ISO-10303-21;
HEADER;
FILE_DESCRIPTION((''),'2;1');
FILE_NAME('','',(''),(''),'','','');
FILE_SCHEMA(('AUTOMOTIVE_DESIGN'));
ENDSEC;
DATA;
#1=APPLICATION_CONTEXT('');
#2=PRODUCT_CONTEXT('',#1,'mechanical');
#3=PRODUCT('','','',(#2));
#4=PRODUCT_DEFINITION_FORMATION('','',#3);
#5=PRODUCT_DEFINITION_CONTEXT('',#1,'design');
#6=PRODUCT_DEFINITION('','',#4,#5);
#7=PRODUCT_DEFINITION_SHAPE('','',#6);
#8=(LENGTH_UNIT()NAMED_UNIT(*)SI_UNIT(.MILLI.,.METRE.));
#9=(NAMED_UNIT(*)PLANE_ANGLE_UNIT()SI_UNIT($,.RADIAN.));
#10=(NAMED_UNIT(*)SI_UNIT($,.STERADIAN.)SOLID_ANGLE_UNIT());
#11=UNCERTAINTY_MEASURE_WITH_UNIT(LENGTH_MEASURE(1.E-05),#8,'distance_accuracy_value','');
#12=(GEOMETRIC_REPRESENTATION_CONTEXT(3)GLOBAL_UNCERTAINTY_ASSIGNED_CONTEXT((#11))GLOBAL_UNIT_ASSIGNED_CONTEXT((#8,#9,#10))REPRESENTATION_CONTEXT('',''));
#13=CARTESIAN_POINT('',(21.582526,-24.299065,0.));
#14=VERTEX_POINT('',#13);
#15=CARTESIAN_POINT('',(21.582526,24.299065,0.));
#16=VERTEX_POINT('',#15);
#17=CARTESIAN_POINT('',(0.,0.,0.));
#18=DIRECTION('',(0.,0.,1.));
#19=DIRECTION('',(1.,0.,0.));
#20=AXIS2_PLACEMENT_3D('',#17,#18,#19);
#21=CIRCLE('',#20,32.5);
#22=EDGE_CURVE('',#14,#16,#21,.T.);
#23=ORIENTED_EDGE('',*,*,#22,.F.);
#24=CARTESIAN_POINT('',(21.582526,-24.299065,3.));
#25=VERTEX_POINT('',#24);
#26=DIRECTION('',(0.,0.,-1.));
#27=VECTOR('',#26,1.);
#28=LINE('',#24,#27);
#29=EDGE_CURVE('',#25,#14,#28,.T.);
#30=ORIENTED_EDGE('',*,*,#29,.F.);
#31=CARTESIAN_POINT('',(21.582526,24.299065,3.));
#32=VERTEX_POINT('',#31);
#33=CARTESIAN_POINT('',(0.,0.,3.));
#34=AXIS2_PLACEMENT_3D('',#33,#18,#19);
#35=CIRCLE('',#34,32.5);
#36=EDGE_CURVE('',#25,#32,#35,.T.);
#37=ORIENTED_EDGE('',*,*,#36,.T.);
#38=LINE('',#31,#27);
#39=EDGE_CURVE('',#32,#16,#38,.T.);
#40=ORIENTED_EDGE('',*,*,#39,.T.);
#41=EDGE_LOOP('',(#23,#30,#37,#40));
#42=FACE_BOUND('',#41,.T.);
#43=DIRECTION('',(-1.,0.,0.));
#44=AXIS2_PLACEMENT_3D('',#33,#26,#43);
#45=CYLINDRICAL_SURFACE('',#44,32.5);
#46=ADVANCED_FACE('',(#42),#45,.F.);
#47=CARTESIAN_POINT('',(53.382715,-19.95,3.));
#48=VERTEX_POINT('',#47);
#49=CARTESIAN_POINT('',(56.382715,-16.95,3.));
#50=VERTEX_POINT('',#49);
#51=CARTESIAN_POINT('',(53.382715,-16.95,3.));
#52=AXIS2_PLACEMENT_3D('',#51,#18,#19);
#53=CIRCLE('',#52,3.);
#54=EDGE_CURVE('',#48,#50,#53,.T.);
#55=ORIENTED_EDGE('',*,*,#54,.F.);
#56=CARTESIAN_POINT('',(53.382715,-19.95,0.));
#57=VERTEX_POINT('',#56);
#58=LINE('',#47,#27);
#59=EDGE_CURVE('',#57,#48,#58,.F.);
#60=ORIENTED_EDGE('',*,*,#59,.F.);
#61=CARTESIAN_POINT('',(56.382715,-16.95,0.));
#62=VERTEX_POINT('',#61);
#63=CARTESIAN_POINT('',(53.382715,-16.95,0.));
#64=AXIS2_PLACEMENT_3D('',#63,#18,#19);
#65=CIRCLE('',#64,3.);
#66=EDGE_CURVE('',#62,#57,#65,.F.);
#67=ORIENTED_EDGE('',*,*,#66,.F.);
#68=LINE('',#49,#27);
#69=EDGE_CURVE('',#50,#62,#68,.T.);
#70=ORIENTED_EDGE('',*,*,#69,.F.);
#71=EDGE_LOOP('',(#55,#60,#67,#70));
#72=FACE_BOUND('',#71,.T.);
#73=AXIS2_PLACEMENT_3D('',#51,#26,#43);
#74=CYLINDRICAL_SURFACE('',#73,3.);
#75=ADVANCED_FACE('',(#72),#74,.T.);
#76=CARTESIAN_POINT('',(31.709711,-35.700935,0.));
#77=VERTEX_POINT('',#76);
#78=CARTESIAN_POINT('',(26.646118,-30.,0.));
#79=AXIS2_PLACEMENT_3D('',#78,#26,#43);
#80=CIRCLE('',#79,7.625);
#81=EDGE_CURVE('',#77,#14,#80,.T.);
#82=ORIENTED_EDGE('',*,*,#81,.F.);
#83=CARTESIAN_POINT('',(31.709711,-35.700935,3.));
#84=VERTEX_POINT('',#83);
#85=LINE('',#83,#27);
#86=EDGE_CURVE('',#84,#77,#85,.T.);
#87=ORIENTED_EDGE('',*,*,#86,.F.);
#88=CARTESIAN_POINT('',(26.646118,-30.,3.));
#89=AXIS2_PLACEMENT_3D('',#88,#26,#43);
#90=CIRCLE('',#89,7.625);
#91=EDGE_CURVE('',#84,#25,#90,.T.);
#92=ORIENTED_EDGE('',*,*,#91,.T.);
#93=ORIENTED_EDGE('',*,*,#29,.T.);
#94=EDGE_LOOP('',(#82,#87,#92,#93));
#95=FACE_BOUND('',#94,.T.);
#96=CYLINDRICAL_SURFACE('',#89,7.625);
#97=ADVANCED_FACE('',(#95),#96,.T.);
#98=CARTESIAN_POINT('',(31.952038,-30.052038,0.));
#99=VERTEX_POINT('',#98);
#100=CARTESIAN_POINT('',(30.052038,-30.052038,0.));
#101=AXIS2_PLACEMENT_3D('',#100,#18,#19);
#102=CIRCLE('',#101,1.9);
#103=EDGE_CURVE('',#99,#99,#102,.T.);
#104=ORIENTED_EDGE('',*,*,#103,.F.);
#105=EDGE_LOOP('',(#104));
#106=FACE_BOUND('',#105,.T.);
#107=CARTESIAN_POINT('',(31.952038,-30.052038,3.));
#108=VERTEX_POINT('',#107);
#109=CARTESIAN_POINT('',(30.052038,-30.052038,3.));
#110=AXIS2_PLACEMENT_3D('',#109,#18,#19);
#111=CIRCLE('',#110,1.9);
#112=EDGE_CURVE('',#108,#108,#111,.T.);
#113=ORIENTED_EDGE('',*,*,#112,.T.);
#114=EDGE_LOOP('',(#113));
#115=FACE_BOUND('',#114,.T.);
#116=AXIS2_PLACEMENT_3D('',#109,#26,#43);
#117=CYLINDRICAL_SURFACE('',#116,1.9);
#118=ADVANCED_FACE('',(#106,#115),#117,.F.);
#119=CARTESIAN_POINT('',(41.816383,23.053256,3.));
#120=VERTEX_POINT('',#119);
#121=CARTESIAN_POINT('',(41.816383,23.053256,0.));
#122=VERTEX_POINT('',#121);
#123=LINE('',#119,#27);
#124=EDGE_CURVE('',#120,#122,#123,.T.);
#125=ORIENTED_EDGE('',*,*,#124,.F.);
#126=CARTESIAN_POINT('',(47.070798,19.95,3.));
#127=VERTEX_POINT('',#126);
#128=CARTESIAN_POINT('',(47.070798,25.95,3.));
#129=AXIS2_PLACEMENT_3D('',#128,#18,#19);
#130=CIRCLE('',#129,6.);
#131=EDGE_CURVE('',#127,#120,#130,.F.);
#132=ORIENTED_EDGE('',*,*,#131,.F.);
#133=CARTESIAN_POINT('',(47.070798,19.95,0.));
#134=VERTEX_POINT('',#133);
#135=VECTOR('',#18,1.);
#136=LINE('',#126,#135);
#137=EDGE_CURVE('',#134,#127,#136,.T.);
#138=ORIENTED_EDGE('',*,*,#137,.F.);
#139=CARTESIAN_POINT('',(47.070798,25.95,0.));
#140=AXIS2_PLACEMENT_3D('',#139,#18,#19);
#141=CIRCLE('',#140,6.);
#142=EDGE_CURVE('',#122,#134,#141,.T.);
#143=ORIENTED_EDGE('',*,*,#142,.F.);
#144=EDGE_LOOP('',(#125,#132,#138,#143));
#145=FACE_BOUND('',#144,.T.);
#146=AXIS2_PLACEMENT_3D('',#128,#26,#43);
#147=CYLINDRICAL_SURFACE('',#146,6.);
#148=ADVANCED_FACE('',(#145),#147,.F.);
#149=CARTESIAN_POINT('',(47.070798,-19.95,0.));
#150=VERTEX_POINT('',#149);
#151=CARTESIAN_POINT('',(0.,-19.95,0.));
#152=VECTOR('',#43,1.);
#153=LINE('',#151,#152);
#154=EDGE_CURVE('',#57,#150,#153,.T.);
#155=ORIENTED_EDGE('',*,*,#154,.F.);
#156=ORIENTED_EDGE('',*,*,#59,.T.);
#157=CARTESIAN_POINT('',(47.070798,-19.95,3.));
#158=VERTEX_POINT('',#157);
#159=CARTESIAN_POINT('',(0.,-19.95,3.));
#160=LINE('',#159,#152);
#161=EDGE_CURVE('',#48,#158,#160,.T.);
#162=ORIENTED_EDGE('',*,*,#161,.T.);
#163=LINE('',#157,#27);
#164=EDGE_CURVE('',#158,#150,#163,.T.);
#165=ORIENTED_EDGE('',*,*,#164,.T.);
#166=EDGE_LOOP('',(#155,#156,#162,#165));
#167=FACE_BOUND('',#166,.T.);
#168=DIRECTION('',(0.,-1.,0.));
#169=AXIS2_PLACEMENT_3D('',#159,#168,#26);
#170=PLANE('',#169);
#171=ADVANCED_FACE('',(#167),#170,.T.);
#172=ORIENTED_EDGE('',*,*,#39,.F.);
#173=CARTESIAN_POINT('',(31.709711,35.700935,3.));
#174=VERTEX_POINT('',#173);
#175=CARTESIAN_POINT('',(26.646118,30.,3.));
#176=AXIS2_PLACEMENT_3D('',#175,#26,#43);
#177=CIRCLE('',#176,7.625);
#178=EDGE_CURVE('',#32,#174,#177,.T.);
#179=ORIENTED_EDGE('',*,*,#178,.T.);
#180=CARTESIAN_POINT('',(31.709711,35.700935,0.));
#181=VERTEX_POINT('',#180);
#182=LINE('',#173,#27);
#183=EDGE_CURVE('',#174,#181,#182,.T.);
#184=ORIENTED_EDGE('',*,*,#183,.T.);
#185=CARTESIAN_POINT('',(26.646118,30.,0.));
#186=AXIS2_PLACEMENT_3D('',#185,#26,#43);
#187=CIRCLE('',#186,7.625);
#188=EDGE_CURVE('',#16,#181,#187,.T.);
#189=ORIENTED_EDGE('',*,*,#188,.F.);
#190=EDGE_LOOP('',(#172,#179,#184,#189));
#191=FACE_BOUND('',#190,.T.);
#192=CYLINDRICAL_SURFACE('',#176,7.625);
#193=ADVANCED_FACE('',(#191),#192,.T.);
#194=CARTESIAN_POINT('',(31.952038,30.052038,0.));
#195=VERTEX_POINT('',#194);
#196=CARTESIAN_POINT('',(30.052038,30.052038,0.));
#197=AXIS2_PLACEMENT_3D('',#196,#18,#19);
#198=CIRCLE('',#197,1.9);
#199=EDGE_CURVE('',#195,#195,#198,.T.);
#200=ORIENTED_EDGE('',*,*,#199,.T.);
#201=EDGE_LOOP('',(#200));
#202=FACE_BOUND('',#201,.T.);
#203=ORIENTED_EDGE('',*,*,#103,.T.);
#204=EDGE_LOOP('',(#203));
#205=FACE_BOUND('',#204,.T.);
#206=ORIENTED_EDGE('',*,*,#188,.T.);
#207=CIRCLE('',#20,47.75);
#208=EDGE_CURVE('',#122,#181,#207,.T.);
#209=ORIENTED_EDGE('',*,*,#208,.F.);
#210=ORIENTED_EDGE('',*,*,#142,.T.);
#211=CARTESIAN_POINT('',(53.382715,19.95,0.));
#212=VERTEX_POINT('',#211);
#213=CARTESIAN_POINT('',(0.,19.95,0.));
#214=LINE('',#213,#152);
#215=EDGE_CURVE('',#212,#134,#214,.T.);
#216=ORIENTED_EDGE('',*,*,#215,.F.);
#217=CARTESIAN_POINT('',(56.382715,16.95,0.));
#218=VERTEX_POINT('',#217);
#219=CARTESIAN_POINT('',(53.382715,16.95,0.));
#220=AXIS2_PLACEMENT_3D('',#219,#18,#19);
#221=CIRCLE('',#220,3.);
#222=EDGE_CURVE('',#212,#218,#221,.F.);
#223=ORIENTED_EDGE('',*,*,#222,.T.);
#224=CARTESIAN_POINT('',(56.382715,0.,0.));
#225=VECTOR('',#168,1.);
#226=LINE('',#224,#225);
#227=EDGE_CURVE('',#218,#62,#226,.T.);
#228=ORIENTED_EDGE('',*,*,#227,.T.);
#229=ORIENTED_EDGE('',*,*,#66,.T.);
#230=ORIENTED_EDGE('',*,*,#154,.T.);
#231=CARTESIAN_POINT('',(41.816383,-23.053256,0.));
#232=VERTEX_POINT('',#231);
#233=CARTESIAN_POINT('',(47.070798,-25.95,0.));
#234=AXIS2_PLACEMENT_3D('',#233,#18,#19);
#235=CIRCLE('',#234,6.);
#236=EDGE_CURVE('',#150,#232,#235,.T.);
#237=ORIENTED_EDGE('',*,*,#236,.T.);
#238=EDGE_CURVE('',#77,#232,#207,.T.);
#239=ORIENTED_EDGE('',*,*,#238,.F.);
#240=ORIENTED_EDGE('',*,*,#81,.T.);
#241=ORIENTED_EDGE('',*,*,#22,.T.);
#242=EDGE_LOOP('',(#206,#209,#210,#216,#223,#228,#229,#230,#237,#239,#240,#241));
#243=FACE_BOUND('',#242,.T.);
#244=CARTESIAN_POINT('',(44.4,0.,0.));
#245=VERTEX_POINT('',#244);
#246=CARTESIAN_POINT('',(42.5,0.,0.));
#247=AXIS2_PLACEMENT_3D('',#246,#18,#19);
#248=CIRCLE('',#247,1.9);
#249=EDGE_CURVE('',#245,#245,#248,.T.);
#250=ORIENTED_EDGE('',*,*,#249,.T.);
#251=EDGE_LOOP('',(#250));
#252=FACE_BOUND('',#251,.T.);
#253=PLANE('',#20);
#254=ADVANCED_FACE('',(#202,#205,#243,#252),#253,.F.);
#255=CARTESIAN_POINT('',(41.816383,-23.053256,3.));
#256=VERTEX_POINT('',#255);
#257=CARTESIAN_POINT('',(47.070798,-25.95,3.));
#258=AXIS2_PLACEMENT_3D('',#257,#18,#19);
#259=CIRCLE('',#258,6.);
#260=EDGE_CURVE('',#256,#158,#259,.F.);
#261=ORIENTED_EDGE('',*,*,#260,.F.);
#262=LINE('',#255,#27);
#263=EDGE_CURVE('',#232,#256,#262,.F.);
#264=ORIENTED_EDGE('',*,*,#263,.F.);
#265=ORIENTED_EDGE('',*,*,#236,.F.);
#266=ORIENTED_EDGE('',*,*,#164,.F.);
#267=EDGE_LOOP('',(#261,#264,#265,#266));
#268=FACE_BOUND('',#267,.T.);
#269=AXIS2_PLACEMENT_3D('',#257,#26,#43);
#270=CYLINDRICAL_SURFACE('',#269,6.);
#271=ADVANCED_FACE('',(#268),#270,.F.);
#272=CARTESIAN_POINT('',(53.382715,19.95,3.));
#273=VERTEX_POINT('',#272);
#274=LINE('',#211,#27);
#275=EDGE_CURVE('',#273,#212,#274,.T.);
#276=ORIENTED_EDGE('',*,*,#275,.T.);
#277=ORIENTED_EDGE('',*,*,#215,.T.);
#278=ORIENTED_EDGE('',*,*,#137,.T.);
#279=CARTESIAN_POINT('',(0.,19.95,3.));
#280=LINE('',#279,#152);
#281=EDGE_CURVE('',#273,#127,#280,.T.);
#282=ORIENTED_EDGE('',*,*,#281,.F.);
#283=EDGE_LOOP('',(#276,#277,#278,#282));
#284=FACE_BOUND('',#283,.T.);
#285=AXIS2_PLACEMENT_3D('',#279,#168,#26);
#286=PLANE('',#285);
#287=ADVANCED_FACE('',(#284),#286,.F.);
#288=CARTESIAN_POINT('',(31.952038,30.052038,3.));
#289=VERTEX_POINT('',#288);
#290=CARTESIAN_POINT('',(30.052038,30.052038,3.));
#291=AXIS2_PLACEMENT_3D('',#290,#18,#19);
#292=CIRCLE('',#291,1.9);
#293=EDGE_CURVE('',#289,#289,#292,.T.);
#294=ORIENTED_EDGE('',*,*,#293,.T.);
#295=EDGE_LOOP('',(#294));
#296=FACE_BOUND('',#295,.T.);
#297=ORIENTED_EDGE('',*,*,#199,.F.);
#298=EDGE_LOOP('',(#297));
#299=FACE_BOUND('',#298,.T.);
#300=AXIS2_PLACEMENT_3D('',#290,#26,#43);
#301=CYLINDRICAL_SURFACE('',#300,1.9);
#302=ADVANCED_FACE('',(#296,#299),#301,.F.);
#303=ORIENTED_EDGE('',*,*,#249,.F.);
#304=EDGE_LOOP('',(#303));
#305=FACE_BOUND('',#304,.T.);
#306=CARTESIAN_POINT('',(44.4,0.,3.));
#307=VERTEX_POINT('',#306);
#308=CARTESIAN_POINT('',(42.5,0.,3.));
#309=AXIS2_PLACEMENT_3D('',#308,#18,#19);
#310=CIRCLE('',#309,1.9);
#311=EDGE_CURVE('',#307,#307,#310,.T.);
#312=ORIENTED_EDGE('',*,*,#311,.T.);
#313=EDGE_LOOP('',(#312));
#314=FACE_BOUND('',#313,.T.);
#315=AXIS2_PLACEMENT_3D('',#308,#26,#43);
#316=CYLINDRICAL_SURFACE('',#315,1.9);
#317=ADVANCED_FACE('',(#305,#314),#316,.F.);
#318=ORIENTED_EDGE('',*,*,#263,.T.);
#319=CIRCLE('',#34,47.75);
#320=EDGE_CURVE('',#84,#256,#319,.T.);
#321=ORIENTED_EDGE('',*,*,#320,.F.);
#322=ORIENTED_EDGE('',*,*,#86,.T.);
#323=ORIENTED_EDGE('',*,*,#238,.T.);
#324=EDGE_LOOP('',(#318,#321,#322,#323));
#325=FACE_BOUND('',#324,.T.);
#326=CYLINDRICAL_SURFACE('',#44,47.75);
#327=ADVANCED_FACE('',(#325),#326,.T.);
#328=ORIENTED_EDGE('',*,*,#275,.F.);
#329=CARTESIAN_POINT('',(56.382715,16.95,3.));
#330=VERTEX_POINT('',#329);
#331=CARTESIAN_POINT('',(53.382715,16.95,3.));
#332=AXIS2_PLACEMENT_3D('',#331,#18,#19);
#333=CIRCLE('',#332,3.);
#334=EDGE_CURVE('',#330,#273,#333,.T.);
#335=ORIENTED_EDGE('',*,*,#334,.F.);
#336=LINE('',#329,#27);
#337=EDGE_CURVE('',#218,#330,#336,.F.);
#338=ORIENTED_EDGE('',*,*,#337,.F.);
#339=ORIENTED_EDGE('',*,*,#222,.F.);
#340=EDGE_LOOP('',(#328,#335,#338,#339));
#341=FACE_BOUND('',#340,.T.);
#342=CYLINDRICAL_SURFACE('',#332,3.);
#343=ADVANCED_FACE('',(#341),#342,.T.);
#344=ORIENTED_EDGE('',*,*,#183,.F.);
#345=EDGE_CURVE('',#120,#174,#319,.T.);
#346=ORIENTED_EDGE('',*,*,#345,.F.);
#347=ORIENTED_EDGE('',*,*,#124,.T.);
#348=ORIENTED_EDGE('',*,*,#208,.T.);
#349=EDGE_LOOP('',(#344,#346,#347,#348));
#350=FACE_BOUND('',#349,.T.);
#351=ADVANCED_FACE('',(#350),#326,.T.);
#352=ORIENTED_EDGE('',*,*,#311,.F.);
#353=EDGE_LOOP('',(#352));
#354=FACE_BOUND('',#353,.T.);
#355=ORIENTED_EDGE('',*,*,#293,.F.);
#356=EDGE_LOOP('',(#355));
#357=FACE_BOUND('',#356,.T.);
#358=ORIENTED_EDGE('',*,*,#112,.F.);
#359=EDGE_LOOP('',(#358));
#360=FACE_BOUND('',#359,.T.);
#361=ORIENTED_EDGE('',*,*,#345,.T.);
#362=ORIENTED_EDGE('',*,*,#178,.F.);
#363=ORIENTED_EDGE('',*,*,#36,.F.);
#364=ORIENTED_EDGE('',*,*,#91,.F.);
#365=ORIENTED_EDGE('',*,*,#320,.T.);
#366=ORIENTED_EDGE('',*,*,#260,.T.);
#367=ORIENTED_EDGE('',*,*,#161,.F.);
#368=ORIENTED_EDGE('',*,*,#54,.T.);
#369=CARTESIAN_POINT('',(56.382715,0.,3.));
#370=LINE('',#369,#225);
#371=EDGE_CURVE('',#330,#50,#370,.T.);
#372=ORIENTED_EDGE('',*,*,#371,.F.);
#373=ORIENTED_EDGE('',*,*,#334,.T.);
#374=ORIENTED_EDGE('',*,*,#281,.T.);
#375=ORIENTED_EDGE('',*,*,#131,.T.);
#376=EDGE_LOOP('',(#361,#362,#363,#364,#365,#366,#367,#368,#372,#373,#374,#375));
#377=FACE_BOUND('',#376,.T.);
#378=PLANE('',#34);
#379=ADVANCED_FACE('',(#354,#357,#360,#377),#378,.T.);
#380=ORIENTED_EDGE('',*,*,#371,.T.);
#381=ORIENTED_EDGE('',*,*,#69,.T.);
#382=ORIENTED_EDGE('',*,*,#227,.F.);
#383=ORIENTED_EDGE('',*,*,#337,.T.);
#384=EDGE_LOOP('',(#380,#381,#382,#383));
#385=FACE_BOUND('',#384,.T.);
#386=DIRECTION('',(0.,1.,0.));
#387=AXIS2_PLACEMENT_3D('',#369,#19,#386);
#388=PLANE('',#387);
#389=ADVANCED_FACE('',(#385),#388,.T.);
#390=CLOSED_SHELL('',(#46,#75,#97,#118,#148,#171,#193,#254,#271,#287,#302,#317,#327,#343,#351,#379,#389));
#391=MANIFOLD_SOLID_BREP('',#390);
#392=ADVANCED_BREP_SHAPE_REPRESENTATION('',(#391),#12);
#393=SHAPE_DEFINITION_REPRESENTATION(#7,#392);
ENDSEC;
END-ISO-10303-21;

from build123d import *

# Parameters (mm, degrees)
SKETCH_1_R          = 47.75
SKETCH_1_R_2        = 32.5
SKETCH_1_R_3        = 1.9
EXTRUDE_1_DEPTH     = 3
SKETCH_2_R          = 1.9
CUT_EXTRUDE_1_DEPTH = 3
EXTRUDE_2_DEPTH     = 3
FILLET_1_R          = 3
FILLET_2_R          = 6


with BuildPart() as part:
    # 草图1 → 凸台-拉伸1 (new body)
    with BuildSketch(Plane.XY):
        Circle(SKETCH_1_R)
        Circle(SKETCH_1_R_2, mode=Mode.SUBTRACT)
        with Locations((0, 42.5)):
            Circle(SKETCH_1_R_3, mode=Mode.SUBTRACT)
        with Locations((30.0520382, 30.0520382)):
            Circle(SKETCH_1_R_3, mode=Mode.SUBTRACT)
        with Locations((42.5, 0)):
            Circle(SKETCH_1_R_3, mode=Mode.SUBTRACT)
        with Locations((30.0520382, -30.0520382)):
            Circle(SKETCH_1_R_3, mode=Mode.SUBTRACT)
        with Locations((0, -42.5)):
            Circle(SKETCH_1_R_3, mode=Mode.SUBTRACT)
        with Locations((-30.0520382, -30.0520382)):
            Circle(SKETCH_1_R_3, mode=Mode.SUBTRACT)
        with Locations((-42.5, 0)):
            Circle(SKETCH_1_R_3, mode=Mode.SUBTRACT)
        with Locations((-30.0520382, 30.0520382)):
            Circle(SKETCH_1_R_3, mode=Mode.SUBTRACT)
    extrude(amount=EXTRUDE_1_DEPTH)

    # 草图2 → 切除-拉伸1 (cut)
    # profile 1 of 2: a face of its own
    with BuildSketch(Plane(origin=(0, 0, 0), x_dir=(-1, 0, 0), z_dir=(0, 0, -1))):
        with BuildLine():
            ThreePointArc((40.6, 0), (42.5, 1.9), (44.4, 0))
            Line((44.4, 0), (47.75, 0))
            ThreePointArc((47.75, 0), (19.569412493, 43.555718278), (-31.709710772, 35.700934761))
            ThreePointArc((-31.709710772, 35.700934761), (-23.521159741, 36.955232453), (-19.021118385, 30))
            ThreePointArc((-19.021118385, 30), (-19.69088588, 26.875041473), (-21.582525806, 24.29906541))
            ThreePointArc((-21.582525806, 24.29906541), (13.319495322, 29.645253319), (32.5, 0))
            Line((32.5, 0), (40.6, 0))
        make_face()
        with Locations((0, 42.5)):
            Circle(SKETCH_2_R, mode=Mode.SUBTRACT)
        with Locations((30.0520382, 30.0520382)):
            Circle(SKETCH_2_R, mode=Mode.SUBTRACT)
    # profile 2 of 2: a face of its own
    with BuildSketch(Plane(origin=(0, 0, 0), x_dir=(-1, 0, 0), z_dir=(0, 0, -1))):
        with BuildLine():
            Line((47.75, 0), (44.4, 0))
            ThreePointArc((44.4, 0), (42.5, -1.9), (40.6, 0))
            Line((40.6, 0), (32.5, 0))
            ThreePointArc((32.5, 0), (13.319495418, -29.645253276), (-21.582525651, -24.299065549))
            ThreePointArc((-21.582525651, -24.299065549), (-19.690885837, -26.875041568), (-19.021118385, -30))
            ThreePointArc((-19.021118385, -30), (-23.521159897, -36.955232523), (-31.709711027, -35.700934534))
            ThreePointArc((-31.709711027, -35.700934534), (19.569412338, -43.555718347), (47.75, 0))
        make_face()
        with Locations((0, -42.5)):
            Circle(SKETCH_2_R, mode=Mode.SUBTRACT)
        with Locations((30.0520382, -30.0520382)):
            Circle(SKETCH_2_R, mode=Mode.SUBTRACT)
    extrude(amount=-CUT_EXTRUDE_1_DEPTH, mode=Mode.SUBTRACT)

    # 草图3 → 凸台-拉伸2 (add)
    with BuildSketch(Plane(origin=(0, 0, 0), x_dir=(-1, 0, 0), z_dir=(0, 0, -1))):
        with BuildLine():
            Line((-43.382715452, 19.95), (-56.382715452, 19.95))
            Line((-56.382715452, 19.95), (-56.382715452, 0))
            Line((-56.382715452, 0), (-47.75, 0))
            ThreePointArc((-47.75, 0), (-46.645402575, 10.211215333), (-43.382715452, 19.95))
        make_face()
        with BuildLine():
            Line((-47.75, 0), (-56.382715452, 0))
            Line((-56.382715452, 0), (-56.382715452, -19.95))
            Line((-56.382715452, -19.95), (-43.382715452, -19.95))
            ThreePointArc((-43.382715452, -19.95), (-46.645402575, -10.211215333), (-47.75, 0))
        make_face()
    extrude(amount=-EXTRUDE_2_DEPTH)

    # 圆角1
    fillet_1_edges = [part.edges().sort_by_distance(p)[0] for p in [
        (56.382715452, -19.95, 1.5),
        (56.382715452, 19.95, 1.5),
    ]]
    fillet(fillet_1_edges, radius=FILLET_1_R)

    # 圆角2
    fillet_2_edges = [part.edges().sort_by_distance(p)[0] for p in [
        (43.382715452, 19.95, 1.5),
        (43.382715452, -19.95, 1.5),
    ]]
    fillet(fillet_2_edges, radius=FILLET_2_R)


solid = part.part
